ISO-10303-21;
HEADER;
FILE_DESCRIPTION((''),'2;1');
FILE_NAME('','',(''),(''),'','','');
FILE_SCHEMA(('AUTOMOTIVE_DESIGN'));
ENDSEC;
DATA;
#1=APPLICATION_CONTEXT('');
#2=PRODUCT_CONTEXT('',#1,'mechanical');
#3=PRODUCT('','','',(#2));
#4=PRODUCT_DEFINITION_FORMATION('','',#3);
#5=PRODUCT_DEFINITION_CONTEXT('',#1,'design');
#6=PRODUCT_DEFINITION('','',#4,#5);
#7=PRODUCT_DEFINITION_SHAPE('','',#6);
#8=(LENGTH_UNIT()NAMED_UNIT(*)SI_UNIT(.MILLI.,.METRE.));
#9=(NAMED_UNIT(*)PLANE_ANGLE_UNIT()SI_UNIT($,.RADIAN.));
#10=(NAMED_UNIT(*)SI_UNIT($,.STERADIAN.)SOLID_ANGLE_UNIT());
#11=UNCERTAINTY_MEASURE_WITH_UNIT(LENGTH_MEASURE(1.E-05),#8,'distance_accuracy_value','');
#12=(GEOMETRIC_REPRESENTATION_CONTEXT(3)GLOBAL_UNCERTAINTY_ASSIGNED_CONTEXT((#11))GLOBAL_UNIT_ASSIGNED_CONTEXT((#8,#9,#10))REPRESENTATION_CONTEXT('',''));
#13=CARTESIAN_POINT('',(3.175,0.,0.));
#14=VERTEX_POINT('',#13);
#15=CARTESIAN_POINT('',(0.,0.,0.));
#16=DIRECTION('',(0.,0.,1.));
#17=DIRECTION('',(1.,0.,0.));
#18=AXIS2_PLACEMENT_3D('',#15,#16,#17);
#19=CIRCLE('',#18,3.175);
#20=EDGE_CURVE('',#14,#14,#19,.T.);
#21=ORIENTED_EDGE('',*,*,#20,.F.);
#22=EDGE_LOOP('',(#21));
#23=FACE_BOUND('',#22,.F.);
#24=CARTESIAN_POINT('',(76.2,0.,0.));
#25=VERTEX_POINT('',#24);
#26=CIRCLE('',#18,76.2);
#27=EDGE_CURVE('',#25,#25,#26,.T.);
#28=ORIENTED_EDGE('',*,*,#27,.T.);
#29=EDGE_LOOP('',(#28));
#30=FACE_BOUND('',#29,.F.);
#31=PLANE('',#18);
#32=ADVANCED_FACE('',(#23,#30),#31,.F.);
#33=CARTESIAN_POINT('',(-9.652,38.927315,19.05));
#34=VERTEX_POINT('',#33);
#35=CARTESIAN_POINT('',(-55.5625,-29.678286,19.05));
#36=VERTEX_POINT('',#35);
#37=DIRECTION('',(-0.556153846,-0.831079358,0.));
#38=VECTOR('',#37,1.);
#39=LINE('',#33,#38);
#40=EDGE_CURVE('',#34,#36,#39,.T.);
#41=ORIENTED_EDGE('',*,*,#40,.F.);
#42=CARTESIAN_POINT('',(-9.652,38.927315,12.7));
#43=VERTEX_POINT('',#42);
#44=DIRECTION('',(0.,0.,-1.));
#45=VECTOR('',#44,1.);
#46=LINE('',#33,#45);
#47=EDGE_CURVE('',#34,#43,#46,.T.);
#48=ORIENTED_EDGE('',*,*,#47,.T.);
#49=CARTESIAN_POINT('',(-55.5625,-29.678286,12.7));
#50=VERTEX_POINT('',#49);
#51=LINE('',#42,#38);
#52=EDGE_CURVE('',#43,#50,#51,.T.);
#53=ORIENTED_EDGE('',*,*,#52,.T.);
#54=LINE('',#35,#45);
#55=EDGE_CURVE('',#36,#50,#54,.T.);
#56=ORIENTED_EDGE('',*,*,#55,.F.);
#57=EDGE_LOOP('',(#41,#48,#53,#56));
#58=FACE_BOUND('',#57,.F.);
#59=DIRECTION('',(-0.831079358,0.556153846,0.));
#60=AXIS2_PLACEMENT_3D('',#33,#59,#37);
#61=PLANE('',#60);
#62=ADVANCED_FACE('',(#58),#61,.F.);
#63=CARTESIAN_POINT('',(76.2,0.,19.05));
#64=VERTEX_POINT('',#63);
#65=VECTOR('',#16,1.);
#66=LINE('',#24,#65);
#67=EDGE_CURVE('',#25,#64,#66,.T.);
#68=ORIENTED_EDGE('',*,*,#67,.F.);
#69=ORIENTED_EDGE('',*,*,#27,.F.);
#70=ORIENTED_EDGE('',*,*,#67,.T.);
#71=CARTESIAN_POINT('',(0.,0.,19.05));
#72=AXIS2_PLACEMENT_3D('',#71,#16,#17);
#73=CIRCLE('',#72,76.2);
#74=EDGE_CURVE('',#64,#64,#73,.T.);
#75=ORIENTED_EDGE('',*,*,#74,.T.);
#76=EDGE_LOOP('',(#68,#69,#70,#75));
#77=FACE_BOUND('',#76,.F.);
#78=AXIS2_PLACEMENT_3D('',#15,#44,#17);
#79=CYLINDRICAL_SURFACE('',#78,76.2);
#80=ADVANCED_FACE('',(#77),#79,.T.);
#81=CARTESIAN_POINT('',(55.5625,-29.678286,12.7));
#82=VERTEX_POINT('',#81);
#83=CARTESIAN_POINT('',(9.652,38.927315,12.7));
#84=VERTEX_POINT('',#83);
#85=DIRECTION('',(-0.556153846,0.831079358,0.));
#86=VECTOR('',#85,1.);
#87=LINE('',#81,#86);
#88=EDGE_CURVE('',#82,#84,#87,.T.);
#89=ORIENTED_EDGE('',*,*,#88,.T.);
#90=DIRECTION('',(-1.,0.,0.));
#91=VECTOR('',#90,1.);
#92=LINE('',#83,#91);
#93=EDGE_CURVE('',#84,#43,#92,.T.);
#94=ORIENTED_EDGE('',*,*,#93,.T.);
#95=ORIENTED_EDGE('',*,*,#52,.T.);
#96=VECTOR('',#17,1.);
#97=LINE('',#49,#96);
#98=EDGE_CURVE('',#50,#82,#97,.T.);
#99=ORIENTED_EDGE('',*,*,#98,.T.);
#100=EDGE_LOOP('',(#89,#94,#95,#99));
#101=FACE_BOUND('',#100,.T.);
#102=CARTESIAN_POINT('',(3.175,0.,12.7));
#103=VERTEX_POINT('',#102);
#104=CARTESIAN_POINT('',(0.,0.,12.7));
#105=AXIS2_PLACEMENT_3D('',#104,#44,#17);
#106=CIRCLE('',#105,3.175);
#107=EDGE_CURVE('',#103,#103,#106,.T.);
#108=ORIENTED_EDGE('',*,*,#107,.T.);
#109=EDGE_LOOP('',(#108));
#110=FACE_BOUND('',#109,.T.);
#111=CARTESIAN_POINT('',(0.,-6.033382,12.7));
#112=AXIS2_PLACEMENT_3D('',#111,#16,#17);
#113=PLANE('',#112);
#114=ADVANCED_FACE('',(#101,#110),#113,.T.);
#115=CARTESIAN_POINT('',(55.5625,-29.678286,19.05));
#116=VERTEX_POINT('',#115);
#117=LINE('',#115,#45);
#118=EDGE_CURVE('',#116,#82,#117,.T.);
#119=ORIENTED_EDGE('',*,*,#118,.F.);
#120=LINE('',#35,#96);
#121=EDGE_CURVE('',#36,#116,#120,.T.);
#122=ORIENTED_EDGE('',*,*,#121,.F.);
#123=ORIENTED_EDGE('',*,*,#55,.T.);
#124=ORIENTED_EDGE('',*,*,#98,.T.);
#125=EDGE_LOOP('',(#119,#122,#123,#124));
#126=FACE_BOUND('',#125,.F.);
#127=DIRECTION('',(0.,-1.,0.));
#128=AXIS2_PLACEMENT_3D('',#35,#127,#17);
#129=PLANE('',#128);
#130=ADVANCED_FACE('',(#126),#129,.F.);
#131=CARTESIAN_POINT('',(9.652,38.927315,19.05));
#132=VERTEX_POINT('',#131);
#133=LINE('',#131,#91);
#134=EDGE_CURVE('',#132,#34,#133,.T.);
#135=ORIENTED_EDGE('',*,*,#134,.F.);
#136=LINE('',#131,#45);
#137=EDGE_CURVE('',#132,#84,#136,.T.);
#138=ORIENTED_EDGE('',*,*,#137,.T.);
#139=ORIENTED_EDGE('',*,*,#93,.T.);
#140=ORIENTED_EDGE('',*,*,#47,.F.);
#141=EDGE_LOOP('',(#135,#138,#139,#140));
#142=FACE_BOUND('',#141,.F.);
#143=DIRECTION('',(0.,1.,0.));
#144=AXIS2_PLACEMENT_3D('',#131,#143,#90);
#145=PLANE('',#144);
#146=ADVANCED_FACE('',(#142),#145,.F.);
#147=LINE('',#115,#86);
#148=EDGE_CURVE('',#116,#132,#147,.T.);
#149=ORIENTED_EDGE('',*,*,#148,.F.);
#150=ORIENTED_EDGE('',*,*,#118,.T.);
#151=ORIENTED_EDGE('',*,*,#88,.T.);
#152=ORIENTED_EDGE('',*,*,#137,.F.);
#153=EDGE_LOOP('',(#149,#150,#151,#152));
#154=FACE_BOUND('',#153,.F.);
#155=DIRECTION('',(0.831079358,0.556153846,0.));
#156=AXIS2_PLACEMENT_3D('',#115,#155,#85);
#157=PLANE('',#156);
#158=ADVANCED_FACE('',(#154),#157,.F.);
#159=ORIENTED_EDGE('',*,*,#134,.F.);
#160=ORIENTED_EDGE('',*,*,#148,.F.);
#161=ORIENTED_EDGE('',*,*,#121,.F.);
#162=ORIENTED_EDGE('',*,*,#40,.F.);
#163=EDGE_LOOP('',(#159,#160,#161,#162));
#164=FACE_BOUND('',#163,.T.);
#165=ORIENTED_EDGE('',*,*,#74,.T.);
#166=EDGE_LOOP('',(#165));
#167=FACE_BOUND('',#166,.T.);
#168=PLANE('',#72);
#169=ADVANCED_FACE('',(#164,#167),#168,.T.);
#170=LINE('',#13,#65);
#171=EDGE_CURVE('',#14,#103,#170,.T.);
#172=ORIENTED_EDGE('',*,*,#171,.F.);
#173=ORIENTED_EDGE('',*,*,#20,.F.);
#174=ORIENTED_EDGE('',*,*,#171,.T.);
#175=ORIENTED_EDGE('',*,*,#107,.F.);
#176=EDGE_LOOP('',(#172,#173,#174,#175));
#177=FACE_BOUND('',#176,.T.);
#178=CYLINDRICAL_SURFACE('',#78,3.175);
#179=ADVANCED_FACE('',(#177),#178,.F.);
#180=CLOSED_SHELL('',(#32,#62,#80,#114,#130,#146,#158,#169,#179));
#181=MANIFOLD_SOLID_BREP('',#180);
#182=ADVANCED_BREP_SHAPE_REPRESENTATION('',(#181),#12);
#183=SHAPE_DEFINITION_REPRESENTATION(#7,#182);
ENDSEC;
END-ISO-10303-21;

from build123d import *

# Parameters (mm, degrees)
F0_R     = 76.2
F0_R_2   = 3.175
F1_DEPTH = 19.05
F3_DEPTH = 6.35


with BuildPart() as f1:
    # F0 (on Top) → F1 (new body)
    with BuildSketch(Plane.XY):
        Circle(F0_R)
        Circle(F0_R_2, mode=Mode.SUBTRACT)
    extrude(amount=F1_DEPTH)

    # F2 (on face) → F3 (cut)
    with BuildSketch(Plane.XY.offset(19.05)):
        Polygon((9.652, 38.927315), (-9.652, 38.927315), (-55.5625, -29.678286), (55.5625, -29.678286), align=None)
    extrude(amount=-F3_DEPTH, mode=Mode.SUBTRACT)


solid = f1.part
